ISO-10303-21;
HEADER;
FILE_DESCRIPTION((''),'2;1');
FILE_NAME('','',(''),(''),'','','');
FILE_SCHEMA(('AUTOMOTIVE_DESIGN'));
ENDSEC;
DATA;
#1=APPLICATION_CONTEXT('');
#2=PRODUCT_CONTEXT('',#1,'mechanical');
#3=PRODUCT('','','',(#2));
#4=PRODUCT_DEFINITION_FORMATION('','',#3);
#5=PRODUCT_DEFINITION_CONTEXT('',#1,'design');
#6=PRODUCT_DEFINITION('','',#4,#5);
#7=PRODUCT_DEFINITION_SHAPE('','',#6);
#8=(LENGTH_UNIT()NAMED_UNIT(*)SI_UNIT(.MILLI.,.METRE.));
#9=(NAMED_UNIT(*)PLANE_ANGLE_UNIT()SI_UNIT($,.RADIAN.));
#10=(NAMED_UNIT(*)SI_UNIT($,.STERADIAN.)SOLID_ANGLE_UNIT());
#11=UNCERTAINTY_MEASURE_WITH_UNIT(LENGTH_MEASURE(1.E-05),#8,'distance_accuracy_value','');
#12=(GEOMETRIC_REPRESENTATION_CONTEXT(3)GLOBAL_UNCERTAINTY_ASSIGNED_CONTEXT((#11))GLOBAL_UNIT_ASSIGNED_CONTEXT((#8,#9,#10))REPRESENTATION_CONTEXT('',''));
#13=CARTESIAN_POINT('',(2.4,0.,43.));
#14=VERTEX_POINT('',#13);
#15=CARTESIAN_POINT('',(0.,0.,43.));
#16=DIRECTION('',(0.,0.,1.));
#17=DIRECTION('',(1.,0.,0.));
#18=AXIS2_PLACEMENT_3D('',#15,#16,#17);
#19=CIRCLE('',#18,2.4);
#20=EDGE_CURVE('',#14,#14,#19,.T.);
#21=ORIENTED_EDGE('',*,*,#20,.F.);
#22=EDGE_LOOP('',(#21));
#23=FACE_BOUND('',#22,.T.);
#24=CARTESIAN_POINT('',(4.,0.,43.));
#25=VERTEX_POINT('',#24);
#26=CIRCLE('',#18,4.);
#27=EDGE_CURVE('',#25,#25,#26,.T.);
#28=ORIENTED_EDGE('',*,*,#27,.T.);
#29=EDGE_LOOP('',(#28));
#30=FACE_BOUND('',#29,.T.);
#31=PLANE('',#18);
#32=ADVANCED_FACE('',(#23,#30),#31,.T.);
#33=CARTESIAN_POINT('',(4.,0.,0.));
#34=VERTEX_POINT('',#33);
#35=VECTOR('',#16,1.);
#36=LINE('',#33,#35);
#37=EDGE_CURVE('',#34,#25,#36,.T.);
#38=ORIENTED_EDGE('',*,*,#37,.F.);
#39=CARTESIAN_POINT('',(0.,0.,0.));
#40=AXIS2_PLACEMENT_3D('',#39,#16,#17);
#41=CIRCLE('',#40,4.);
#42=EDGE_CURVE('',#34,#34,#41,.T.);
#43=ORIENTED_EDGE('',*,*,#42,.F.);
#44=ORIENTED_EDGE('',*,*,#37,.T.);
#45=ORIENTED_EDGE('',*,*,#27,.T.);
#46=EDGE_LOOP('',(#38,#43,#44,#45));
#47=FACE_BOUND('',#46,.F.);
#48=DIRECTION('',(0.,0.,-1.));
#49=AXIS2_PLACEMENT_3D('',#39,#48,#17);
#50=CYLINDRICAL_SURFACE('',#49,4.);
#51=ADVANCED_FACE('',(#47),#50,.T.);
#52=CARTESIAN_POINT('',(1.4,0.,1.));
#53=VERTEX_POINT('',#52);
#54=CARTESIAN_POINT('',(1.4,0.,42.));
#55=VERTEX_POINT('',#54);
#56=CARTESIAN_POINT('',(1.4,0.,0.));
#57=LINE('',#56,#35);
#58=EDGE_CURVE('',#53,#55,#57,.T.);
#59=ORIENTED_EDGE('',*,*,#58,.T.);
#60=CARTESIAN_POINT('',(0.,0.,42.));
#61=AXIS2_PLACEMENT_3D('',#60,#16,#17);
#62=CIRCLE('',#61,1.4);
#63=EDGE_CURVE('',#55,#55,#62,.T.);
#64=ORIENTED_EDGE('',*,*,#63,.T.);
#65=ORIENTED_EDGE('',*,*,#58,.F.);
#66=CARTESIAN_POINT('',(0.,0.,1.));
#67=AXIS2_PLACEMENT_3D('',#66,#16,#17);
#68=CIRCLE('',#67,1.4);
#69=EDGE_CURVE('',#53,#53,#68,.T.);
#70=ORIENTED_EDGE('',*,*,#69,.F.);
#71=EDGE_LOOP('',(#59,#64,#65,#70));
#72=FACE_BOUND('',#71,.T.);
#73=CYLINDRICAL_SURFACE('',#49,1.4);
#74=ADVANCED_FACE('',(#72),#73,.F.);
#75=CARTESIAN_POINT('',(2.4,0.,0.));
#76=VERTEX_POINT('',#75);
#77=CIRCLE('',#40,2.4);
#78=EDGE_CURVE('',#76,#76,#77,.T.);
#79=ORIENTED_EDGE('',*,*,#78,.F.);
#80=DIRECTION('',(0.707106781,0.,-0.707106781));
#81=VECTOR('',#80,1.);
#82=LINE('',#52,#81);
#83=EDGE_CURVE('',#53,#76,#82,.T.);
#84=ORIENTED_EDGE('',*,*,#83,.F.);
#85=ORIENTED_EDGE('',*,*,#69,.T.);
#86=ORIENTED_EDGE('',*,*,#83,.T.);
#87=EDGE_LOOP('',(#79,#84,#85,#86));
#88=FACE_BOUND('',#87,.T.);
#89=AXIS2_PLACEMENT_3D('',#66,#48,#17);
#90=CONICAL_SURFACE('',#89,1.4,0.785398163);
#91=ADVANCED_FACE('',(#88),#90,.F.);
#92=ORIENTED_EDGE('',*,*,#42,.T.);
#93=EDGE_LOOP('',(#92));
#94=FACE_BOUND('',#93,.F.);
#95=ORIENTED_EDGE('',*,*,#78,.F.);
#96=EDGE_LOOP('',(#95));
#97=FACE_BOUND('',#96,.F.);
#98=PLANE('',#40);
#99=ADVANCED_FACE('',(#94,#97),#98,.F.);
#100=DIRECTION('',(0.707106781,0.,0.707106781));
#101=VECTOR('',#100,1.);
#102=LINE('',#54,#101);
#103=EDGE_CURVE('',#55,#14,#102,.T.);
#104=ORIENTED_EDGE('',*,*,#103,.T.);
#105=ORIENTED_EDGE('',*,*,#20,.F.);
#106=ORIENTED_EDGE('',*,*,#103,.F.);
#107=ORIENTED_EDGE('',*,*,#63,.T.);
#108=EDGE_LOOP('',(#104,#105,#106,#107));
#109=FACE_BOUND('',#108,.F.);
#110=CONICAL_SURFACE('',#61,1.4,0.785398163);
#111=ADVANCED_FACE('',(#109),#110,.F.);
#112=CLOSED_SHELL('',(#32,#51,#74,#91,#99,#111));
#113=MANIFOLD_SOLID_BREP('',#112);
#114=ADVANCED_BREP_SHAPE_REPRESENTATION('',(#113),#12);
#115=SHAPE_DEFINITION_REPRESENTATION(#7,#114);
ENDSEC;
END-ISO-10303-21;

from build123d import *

# Parameters (mm, degrees)
SKETCH_R     = 4
SKETCH_R_2   = 1.4
PAD_DEPTH    = 43
CHAMFER_SIZE = 1


with BuildPart() as part:
    # Sketch → Pad (new body)
    with BuildSketch(Plane.XY):
        Circle(SKETCH_R)
        Circle(SKETCH_R_2, mode=Mode.SUBTRACT)
    extrude(amount=PAD_DEPTH)

    # Chamfer
    chamfer_edges = [part.edges().sort_by_distance(p)[0] for p in [
        (-1.4, 0, 43),
        (-1.4, 0, 0),
    ]]
    chamfer(chamfer_edges, length=CHAMFER_SIZE)


solid = part.part
